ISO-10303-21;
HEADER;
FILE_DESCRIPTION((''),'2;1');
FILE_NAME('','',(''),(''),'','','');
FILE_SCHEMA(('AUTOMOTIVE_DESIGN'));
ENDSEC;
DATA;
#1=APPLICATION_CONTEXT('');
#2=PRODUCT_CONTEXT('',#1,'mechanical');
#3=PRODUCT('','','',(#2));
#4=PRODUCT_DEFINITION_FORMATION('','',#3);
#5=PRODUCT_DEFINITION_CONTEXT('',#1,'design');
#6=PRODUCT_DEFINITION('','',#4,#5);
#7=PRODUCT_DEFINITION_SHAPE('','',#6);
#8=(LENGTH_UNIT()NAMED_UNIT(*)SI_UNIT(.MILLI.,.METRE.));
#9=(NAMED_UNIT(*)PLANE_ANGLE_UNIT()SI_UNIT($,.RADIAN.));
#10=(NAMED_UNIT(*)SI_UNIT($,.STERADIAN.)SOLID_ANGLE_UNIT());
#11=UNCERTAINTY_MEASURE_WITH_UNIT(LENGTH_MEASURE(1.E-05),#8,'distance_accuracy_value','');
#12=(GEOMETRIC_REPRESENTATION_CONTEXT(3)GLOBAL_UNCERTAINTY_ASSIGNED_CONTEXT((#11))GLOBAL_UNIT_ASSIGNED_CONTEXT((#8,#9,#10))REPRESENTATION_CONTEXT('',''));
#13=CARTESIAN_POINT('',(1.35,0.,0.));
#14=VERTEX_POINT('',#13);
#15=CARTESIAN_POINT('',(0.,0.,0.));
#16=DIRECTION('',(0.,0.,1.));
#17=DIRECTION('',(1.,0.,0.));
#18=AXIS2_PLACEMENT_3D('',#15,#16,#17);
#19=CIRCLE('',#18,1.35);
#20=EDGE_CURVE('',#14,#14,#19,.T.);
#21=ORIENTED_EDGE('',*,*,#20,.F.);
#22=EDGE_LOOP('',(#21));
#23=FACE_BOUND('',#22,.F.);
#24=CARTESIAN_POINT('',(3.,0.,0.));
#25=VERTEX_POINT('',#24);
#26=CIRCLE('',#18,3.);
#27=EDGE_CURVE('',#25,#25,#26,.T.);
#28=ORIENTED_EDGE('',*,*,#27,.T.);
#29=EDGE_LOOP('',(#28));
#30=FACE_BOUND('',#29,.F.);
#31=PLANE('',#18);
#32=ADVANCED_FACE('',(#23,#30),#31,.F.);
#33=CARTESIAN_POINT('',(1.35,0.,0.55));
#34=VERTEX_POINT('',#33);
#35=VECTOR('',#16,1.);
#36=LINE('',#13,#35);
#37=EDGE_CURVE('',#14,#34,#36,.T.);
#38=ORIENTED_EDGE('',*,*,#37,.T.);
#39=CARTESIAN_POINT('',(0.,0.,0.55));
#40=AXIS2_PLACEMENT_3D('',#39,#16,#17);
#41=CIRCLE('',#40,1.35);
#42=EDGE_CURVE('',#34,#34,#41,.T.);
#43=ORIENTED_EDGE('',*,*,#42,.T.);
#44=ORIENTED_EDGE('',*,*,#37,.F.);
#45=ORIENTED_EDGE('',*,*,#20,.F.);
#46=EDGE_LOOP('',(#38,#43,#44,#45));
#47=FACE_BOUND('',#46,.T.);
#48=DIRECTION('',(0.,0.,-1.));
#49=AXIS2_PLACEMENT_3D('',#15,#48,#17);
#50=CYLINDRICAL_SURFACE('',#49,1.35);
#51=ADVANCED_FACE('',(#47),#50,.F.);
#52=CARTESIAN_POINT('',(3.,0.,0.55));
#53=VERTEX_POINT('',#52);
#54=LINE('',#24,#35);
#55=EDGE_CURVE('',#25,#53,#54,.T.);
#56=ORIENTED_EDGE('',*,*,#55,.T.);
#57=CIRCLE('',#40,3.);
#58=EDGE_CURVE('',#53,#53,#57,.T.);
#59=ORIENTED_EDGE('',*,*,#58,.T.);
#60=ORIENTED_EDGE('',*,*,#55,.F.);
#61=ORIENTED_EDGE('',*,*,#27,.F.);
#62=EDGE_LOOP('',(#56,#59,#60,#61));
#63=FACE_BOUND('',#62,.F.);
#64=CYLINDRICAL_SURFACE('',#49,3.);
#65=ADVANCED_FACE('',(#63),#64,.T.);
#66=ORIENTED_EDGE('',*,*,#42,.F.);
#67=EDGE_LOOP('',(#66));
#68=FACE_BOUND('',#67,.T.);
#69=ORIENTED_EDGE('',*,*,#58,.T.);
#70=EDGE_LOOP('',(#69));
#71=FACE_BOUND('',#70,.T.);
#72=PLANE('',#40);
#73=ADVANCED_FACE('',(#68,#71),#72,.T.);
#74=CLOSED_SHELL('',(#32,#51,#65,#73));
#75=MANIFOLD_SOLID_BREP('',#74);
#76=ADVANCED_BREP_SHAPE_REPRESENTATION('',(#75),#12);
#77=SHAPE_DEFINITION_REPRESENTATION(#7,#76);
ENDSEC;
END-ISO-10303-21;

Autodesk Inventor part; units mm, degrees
ref_plane "YZ Plane" through (0, 0, 0) normal (1, 0, 0) x (0, 1, 0)
ref_plane "XZ Plane" through (0, 0, 0) normal (0, 1, 0) x (-1, 0, 0)
ref_plane "XY Plane" through (0, 0, 0) normal (0, 0, 1) x (1, 0, 0)
sketch "Sketch1" plane through (0, 0, 0) normal (0, 0, 1) x (1, 0, 0)
  circle A0 centre (0, 0) radius 1.35
  circle A1 centre (0, 0) radius 3
  dimension "d0" = 2.7
  dimension "d1" = 6
extrude "Extrusion1" add sketch "Sketch1" along normal blind 0.55
properties part number "M2.5 WASHER"
